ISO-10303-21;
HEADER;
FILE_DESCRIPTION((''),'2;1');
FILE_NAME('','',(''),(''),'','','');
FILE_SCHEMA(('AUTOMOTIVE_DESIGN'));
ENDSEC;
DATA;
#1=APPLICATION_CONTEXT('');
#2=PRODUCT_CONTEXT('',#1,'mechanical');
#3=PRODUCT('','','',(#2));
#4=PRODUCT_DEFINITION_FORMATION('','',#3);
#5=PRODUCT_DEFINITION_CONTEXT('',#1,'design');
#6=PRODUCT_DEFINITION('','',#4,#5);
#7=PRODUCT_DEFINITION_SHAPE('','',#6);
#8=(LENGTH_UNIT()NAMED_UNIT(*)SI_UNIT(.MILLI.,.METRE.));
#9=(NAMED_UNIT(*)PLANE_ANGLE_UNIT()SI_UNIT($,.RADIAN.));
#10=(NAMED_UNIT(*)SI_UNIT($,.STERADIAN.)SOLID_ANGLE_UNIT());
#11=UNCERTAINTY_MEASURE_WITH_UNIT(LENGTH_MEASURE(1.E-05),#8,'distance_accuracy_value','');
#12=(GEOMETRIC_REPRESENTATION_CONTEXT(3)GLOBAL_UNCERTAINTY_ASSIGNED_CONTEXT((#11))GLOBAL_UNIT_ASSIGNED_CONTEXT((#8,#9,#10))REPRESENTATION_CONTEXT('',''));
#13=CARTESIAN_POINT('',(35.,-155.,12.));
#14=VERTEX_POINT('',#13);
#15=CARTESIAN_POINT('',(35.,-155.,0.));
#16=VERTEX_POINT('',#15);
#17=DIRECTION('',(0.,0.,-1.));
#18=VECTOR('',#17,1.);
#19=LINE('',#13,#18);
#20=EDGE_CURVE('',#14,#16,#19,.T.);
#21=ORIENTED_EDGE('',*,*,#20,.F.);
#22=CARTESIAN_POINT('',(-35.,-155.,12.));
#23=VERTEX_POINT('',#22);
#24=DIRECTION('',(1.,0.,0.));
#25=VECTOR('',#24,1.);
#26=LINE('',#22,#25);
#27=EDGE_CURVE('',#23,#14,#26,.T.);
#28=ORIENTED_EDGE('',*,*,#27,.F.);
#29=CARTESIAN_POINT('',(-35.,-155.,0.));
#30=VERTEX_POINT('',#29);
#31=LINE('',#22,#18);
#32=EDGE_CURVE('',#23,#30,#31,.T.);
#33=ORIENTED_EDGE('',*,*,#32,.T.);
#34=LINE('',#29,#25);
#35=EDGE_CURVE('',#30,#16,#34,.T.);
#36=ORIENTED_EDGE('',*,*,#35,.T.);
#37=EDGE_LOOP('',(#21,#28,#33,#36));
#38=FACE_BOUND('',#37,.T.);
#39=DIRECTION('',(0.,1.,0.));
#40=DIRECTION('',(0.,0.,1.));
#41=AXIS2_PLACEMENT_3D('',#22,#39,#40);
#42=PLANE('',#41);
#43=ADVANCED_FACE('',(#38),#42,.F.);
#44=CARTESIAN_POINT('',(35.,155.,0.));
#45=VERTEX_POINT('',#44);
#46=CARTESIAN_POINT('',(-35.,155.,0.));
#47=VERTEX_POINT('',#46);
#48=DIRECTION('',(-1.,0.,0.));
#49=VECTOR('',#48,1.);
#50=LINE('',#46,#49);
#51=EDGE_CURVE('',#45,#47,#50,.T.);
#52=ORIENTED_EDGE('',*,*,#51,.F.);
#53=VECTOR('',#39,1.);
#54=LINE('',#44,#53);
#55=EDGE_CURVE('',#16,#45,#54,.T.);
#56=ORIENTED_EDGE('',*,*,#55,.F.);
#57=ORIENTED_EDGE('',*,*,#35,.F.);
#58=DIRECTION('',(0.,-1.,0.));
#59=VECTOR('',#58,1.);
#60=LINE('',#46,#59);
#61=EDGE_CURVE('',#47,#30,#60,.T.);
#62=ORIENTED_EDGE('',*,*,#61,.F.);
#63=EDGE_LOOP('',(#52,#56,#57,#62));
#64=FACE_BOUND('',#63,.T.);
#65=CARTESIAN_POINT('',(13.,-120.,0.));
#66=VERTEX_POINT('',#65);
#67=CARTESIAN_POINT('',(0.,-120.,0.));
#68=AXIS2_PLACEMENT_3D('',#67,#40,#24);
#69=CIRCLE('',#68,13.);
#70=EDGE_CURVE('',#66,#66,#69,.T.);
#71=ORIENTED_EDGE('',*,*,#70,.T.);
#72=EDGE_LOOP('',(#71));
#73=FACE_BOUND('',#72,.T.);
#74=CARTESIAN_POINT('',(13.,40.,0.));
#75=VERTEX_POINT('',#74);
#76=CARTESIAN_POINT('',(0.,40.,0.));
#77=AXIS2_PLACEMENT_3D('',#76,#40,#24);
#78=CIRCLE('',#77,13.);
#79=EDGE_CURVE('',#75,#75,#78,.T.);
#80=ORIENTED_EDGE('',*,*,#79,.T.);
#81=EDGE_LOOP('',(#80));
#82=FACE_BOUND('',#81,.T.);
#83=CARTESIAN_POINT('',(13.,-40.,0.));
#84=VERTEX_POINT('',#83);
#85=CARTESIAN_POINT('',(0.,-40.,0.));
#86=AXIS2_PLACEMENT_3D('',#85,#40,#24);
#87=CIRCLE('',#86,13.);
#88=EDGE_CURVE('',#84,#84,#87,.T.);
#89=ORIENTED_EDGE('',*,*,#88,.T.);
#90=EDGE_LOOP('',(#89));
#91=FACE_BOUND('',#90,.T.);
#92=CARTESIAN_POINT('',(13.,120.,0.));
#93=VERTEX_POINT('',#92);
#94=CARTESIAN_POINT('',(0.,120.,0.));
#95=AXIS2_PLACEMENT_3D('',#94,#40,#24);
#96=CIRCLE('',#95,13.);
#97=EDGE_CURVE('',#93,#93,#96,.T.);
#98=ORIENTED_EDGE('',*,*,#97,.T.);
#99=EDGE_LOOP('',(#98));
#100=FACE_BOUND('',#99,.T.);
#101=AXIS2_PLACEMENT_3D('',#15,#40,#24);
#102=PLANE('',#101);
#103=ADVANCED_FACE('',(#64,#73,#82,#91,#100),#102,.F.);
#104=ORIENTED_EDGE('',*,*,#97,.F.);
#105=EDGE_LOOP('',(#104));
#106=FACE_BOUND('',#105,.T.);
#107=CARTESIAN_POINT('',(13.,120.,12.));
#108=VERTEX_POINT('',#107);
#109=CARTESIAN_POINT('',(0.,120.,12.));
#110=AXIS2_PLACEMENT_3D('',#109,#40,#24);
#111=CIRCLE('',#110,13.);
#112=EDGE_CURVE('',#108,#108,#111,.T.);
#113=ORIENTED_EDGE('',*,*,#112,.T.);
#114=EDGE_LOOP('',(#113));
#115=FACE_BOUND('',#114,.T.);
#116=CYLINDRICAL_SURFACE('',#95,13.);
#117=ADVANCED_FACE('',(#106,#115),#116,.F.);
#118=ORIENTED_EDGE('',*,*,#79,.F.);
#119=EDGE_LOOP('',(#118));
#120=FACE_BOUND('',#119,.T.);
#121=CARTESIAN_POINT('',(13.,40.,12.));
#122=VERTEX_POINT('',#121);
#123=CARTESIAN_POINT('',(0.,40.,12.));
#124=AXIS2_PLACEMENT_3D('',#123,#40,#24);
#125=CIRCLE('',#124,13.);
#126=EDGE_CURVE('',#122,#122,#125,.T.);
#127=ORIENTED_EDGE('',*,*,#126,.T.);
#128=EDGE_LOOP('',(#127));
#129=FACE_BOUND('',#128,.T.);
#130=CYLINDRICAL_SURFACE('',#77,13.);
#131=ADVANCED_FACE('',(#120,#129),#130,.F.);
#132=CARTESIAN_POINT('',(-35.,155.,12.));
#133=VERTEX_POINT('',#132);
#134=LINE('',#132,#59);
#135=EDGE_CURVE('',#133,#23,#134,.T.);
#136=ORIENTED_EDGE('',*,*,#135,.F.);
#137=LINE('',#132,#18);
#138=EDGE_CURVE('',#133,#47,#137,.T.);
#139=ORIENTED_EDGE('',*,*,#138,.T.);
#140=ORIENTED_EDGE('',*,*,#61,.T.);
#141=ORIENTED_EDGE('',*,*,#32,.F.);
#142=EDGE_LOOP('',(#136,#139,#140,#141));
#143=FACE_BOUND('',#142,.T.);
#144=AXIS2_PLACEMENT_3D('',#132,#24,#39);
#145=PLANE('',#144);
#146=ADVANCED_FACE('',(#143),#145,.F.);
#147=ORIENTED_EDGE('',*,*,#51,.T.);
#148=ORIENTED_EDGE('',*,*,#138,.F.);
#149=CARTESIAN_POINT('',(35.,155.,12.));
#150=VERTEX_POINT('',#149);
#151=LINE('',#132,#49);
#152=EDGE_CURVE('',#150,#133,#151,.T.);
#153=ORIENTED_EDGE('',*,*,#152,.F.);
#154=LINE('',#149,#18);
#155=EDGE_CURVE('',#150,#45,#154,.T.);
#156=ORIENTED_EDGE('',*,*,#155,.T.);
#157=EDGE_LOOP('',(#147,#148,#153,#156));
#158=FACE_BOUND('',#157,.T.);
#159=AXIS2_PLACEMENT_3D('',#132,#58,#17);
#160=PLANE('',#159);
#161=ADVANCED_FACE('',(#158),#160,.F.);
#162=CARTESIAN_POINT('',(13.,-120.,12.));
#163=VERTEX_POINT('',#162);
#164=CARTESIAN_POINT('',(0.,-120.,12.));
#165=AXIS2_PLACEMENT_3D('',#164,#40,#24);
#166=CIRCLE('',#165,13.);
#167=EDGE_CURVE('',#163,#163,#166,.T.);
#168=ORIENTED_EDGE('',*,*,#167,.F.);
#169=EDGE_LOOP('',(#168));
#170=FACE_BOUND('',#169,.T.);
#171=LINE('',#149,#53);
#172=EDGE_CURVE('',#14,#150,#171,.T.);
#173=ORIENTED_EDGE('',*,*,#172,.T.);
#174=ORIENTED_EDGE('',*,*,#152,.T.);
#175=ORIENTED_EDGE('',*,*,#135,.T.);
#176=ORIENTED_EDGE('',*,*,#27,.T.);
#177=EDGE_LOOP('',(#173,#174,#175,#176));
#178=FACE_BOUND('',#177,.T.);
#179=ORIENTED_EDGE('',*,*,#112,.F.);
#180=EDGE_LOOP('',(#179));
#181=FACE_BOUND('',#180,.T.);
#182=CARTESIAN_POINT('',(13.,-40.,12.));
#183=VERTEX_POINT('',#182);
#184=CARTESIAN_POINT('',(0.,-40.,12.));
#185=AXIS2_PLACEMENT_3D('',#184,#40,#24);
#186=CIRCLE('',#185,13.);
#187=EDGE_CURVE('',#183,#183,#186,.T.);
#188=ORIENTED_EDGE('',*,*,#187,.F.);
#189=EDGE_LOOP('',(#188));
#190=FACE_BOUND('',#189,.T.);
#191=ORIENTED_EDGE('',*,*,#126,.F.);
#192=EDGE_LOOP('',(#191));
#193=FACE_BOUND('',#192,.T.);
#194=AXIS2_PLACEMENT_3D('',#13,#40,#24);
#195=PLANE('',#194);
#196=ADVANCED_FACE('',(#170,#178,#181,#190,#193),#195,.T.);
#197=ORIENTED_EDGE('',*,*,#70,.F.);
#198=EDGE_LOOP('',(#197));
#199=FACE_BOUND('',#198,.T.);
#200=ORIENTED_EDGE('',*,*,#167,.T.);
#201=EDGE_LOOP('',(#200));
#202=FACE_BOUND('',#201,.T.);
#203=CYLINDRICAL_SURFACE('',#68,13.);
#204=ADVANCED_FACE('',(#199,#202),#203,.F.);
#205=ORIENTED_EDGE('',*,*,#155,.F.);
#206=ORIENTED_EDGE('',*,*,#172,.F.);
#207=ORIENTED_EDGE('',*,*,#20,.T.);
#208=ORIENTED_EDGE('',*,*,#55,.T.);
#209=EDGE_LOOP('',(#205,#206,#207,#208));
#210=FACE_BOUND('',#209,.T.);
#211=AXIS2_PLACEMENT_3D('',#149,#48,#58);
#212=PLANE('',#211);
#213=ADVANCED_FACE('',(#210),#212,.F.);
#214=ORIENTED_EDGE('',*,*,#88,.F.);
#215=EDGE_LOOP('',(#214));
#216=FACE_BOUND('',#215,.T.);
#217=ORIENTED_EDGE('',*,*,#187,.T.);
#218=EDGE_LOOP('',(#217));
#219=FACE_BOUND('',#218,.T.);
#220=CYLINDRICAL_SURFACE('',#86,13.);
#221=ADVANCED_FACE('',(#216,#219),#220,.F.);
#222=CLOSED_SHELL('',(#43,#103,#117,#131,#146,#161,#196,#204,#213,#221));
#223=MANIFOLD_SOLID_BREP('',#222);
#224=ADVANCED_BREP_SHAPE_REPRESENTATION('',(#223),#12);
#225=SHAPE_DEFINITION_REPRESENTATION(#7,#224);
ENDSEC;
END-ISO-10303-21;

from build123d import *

# Parameters (mm, degrees)
SKETCH_1_W             = 70
SKETCH_1_H             = 310
EXTRUDE_1_DEPTH        = 12
SKETCH_2_R             = 13
CUT_EXTRUDE_1_DEPTH    = 160.354949719
PATTERN_LINEAR_1_COUNT = 4
PATTERN_LINEAR_1_PITCH = 80


with BuildPart() as part:
    # 草图1 → 凸台-拉伸1 (new body)
    with BuildSketch(Plane.XY):
        Rectangle(SKETCH_1_W, SKETCH_1_H)
    extrude(amount=EXTRUDE_1_DEPTH)

    # 草图2 → 切除-拉伸1 (cut, through all)
    with BuildSketch(Plane.XY.offset(12)):
        with Locations((0, 120)):
            Circle(SKETCH_2_R)
    cut_extrude_1 = extrude(amount=-CUT_EXTRUDE_1_DEPTH, mode=Mode.SUBTRACT)

    # 阵列(线性)1: 切除-拉伸1 ×4
    with Locations(*[(0, -i * PATTERN_LINEAR_1_PITCH, 0) for i in range(1, PATTERN_LINEAR_1_COUNT)]):
        add(cut_extrude_1, mode=Mode.SUBTRACT)


solid = part.part
